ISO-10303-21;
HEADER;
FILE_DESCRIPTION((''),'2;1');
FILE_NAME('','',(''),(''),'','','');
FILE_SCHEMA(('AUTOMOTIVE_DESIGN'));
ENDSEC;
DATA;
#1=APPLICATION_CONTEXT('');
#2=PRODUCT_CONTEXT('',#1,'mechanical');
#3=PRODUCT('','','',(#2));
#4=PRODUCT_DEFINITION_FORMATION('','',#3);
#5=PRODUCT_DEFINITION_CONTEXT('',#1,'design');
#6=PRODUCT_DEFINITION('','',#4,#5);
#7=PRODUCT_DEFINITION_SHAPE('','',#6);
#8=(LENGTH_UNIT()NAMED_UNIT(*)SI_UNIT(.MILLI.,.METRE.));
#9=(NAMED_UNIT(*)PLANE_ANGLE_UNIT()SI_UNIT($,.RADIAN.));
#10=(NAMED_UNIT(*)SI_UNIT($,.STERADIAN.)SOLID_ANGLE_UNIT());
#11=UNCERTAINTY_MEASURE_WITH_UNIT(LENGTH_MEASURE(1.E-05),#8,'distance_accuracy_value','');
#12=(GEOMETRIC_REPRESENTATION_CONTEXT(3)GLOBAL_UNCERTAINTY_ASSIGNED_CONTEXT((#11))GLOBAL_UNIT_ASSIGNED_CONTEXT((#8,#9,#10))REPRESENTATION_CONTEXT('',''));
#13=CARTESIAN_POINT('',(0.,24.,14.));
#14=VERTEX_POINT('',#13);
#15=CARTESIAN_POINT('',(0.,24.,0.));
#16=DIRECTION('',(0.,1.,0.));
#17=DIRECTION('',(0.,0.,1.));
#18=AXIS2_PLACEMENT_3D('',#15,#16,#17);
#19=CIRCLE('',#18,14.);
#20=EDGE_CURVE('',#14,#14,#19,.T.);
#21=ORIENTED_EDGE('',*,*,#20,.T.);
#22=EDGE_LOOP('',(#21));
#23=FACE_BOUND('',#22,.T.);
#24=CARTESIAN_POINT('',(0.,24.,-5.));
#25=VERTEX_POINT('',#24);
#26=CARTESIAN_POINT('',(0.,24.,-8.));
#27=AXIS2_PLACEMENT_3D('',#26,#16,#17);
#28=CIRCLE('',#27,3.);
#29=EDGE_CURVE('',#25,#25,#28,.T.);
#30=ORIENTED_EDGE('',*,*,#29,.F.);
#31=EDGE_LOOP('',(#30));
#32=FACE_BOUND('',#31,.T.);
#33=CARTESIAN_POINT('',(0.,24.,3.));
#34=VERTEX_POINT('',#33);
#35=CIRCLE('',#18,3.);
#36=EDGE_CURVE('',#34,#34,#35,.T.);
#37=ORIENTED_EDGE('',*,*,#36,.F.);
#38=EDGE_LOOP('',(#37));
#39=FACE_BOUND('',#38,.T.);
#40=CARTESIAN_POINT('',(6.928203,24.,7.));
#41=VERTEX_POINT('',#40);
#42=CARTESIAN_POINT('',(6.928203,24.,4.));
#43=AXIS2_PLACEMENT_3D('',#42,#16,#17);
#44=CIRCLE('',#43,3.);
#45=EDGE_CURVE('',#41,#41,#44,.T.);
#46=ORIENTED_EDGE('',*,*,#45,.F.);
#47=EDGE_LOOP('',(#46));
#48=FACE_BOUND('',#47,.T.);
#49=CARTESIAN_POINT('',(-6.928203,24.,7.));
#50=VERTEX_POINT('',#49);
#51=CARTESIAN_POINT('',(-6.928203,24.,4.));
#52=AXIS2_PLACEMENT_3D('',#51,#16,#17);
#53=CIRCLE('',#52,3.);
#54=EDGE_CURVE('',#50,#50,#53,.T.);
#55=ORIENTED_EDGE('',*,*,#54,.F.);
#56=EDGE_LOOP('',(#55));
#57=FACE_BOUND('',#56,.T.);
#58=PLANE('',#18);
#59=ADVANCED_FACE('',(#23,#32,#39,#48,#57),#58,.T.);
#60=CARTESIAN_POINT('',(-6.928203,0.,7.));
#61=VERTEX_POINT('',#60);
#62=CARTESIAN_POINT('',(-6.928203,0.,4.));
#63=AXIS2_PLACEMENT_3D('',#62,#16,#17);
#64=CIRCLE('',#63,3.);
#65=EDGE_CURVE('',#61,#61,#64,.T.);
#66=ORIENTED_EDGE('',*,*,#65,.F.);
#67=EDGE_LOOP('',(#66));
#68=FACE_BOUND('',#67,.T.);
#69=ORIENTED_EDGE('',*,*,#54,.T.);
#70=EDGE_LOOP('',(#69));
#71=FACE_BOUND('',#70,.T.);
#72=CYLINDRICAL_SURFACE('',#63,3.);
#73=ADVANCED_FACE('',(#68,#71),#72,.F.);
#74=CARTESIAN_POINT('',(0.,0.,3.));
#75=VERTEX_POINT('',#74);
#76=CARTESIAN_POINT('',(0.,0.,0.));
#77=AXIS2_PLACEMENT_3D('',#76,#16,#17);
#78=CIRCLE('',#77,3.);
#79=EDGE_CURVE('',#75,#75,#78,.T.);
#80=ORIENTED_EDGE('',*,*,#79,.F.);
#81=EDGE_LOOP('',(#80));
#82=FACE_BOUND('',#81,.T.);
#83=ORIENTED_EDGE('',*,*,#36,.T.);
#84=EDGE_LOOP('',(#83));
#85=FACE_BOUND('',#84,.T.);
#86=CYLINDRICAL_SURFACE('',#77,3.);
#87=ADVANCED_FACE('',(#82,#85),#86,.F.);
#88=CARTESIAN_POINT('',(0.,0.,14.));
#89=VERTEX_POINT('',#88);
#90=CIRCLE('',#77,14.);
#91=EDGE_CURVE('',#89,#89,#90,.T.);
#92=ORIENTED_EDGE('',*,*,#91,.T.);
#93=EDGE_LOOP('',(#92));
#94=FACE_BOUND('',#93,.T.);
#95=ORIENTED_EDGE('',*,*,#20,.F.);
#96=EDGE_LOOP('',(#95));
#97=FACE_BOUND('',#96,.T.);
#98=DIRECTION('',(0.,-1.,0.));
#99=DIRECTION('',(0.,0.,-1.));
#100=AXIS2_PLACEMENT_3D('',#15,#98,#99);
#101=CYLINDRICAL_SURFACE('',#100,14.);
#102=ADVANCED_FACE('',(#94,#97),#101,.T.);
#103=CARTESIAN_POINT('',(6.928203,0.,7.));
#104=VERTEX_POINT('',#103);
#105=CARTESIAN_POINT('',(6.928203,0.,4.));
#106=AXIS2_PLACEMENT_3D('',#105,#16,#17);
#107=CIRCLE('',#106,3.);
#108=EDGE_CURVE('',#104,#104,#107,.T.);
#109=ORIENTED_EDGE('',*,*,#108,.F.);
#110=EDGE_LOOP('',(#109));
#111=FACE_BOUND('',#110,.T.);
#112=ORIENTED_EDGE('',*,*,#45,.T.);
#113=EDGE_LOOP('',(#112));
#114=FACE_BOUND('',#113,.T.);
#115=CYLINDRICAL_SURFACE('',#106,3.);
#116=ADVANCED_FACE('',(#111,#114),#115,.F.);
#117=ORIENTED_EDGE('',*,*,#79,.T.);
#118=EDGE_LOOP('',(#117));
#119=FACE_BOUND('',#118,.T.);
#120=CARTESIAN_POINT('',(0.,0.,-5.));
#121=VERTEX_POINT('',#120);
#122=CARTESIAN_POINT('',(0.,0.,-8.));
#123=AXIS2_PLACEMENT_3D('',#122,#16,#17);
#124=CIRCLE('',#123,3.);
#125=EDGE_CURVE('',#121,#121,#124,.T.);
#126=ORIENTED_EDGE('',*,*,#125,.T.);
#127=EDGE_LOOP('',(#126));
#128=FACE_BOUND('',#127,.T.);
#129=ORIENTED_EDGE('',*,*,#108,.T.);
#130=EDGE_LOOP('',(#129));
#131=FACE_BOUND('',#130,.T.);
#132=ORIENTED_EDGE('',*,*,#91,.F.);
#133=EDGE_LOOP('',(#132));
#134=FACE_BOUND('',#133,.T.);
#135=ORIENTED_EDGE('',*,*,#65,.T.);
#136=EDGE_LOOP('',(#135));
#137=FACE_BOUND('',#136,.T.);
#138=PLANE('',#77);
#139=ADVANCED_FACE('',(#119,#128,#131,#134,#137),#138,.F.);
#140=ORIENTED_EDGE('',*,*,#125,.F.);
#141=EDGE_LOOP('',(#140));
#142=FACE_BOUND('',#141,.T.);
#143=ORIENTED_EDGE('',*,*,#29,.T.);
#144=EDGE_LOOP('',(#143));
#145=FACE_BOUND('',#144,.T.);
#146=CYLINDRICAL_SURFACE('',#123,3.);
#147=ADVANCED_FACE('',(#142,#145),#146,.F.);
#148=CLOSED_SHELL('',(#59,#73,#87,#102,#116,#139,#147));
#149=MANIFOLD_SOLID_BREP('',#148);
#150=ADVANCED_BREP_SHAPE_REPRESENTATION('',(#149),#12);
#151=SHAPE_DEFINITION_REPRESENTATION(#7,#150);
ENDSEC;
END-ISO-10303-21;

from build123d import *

# Parameters (mm, degrees)
SKETCH_1_R          = 14
EXTRUDE_1_DEPTH     = 24
SKETCH_2_R          = 3
CUT_EXTRUDE_1_DEPTH = 32.112698372


with BuildPart() as part:
    # 스케치1 → 보스-돌출1 (new body)
    with BuildSketch(Plane(origin=(0, 0, 0), x_dir=(1, 0, 0), z_dir=(0, 1, 0))):
        with Locations(Location((0, 0, 0), (0, 0, 270))):
            Circle(SKETCH_1_R)
    extrude(amount=EXTRUDE_1_DEPTH)

    # 스케치2 → 컷-돌출1 (cut, through all)
    with BuildSketch(Plane(origin=(0, 24, 0), x_dir=(1, 0, 0), z_dir=(0, 1, 0))):
        with Locations(Location((0, 8, 0), (0, 0, 270))):
            Circle(SKETCH_2_R)
        with Locations(Location((-6.92820323, -4, 0), (0, 0, 270))):
            Circle(SKETCH_2_R)
        with Locations(Location((0, 0, 0), (0, 0, 270))):
            Circle(SKETCH_2_R)
        with Locations(Location((6.92820323, -4, 0), (0, 0, 270))):
            Circle(SKETCH_2_R)
    extrude(amount=-CUT_EXTRUDE_1_DEPTH, mode=Mode.SUBTRACT)


solid = part.part
